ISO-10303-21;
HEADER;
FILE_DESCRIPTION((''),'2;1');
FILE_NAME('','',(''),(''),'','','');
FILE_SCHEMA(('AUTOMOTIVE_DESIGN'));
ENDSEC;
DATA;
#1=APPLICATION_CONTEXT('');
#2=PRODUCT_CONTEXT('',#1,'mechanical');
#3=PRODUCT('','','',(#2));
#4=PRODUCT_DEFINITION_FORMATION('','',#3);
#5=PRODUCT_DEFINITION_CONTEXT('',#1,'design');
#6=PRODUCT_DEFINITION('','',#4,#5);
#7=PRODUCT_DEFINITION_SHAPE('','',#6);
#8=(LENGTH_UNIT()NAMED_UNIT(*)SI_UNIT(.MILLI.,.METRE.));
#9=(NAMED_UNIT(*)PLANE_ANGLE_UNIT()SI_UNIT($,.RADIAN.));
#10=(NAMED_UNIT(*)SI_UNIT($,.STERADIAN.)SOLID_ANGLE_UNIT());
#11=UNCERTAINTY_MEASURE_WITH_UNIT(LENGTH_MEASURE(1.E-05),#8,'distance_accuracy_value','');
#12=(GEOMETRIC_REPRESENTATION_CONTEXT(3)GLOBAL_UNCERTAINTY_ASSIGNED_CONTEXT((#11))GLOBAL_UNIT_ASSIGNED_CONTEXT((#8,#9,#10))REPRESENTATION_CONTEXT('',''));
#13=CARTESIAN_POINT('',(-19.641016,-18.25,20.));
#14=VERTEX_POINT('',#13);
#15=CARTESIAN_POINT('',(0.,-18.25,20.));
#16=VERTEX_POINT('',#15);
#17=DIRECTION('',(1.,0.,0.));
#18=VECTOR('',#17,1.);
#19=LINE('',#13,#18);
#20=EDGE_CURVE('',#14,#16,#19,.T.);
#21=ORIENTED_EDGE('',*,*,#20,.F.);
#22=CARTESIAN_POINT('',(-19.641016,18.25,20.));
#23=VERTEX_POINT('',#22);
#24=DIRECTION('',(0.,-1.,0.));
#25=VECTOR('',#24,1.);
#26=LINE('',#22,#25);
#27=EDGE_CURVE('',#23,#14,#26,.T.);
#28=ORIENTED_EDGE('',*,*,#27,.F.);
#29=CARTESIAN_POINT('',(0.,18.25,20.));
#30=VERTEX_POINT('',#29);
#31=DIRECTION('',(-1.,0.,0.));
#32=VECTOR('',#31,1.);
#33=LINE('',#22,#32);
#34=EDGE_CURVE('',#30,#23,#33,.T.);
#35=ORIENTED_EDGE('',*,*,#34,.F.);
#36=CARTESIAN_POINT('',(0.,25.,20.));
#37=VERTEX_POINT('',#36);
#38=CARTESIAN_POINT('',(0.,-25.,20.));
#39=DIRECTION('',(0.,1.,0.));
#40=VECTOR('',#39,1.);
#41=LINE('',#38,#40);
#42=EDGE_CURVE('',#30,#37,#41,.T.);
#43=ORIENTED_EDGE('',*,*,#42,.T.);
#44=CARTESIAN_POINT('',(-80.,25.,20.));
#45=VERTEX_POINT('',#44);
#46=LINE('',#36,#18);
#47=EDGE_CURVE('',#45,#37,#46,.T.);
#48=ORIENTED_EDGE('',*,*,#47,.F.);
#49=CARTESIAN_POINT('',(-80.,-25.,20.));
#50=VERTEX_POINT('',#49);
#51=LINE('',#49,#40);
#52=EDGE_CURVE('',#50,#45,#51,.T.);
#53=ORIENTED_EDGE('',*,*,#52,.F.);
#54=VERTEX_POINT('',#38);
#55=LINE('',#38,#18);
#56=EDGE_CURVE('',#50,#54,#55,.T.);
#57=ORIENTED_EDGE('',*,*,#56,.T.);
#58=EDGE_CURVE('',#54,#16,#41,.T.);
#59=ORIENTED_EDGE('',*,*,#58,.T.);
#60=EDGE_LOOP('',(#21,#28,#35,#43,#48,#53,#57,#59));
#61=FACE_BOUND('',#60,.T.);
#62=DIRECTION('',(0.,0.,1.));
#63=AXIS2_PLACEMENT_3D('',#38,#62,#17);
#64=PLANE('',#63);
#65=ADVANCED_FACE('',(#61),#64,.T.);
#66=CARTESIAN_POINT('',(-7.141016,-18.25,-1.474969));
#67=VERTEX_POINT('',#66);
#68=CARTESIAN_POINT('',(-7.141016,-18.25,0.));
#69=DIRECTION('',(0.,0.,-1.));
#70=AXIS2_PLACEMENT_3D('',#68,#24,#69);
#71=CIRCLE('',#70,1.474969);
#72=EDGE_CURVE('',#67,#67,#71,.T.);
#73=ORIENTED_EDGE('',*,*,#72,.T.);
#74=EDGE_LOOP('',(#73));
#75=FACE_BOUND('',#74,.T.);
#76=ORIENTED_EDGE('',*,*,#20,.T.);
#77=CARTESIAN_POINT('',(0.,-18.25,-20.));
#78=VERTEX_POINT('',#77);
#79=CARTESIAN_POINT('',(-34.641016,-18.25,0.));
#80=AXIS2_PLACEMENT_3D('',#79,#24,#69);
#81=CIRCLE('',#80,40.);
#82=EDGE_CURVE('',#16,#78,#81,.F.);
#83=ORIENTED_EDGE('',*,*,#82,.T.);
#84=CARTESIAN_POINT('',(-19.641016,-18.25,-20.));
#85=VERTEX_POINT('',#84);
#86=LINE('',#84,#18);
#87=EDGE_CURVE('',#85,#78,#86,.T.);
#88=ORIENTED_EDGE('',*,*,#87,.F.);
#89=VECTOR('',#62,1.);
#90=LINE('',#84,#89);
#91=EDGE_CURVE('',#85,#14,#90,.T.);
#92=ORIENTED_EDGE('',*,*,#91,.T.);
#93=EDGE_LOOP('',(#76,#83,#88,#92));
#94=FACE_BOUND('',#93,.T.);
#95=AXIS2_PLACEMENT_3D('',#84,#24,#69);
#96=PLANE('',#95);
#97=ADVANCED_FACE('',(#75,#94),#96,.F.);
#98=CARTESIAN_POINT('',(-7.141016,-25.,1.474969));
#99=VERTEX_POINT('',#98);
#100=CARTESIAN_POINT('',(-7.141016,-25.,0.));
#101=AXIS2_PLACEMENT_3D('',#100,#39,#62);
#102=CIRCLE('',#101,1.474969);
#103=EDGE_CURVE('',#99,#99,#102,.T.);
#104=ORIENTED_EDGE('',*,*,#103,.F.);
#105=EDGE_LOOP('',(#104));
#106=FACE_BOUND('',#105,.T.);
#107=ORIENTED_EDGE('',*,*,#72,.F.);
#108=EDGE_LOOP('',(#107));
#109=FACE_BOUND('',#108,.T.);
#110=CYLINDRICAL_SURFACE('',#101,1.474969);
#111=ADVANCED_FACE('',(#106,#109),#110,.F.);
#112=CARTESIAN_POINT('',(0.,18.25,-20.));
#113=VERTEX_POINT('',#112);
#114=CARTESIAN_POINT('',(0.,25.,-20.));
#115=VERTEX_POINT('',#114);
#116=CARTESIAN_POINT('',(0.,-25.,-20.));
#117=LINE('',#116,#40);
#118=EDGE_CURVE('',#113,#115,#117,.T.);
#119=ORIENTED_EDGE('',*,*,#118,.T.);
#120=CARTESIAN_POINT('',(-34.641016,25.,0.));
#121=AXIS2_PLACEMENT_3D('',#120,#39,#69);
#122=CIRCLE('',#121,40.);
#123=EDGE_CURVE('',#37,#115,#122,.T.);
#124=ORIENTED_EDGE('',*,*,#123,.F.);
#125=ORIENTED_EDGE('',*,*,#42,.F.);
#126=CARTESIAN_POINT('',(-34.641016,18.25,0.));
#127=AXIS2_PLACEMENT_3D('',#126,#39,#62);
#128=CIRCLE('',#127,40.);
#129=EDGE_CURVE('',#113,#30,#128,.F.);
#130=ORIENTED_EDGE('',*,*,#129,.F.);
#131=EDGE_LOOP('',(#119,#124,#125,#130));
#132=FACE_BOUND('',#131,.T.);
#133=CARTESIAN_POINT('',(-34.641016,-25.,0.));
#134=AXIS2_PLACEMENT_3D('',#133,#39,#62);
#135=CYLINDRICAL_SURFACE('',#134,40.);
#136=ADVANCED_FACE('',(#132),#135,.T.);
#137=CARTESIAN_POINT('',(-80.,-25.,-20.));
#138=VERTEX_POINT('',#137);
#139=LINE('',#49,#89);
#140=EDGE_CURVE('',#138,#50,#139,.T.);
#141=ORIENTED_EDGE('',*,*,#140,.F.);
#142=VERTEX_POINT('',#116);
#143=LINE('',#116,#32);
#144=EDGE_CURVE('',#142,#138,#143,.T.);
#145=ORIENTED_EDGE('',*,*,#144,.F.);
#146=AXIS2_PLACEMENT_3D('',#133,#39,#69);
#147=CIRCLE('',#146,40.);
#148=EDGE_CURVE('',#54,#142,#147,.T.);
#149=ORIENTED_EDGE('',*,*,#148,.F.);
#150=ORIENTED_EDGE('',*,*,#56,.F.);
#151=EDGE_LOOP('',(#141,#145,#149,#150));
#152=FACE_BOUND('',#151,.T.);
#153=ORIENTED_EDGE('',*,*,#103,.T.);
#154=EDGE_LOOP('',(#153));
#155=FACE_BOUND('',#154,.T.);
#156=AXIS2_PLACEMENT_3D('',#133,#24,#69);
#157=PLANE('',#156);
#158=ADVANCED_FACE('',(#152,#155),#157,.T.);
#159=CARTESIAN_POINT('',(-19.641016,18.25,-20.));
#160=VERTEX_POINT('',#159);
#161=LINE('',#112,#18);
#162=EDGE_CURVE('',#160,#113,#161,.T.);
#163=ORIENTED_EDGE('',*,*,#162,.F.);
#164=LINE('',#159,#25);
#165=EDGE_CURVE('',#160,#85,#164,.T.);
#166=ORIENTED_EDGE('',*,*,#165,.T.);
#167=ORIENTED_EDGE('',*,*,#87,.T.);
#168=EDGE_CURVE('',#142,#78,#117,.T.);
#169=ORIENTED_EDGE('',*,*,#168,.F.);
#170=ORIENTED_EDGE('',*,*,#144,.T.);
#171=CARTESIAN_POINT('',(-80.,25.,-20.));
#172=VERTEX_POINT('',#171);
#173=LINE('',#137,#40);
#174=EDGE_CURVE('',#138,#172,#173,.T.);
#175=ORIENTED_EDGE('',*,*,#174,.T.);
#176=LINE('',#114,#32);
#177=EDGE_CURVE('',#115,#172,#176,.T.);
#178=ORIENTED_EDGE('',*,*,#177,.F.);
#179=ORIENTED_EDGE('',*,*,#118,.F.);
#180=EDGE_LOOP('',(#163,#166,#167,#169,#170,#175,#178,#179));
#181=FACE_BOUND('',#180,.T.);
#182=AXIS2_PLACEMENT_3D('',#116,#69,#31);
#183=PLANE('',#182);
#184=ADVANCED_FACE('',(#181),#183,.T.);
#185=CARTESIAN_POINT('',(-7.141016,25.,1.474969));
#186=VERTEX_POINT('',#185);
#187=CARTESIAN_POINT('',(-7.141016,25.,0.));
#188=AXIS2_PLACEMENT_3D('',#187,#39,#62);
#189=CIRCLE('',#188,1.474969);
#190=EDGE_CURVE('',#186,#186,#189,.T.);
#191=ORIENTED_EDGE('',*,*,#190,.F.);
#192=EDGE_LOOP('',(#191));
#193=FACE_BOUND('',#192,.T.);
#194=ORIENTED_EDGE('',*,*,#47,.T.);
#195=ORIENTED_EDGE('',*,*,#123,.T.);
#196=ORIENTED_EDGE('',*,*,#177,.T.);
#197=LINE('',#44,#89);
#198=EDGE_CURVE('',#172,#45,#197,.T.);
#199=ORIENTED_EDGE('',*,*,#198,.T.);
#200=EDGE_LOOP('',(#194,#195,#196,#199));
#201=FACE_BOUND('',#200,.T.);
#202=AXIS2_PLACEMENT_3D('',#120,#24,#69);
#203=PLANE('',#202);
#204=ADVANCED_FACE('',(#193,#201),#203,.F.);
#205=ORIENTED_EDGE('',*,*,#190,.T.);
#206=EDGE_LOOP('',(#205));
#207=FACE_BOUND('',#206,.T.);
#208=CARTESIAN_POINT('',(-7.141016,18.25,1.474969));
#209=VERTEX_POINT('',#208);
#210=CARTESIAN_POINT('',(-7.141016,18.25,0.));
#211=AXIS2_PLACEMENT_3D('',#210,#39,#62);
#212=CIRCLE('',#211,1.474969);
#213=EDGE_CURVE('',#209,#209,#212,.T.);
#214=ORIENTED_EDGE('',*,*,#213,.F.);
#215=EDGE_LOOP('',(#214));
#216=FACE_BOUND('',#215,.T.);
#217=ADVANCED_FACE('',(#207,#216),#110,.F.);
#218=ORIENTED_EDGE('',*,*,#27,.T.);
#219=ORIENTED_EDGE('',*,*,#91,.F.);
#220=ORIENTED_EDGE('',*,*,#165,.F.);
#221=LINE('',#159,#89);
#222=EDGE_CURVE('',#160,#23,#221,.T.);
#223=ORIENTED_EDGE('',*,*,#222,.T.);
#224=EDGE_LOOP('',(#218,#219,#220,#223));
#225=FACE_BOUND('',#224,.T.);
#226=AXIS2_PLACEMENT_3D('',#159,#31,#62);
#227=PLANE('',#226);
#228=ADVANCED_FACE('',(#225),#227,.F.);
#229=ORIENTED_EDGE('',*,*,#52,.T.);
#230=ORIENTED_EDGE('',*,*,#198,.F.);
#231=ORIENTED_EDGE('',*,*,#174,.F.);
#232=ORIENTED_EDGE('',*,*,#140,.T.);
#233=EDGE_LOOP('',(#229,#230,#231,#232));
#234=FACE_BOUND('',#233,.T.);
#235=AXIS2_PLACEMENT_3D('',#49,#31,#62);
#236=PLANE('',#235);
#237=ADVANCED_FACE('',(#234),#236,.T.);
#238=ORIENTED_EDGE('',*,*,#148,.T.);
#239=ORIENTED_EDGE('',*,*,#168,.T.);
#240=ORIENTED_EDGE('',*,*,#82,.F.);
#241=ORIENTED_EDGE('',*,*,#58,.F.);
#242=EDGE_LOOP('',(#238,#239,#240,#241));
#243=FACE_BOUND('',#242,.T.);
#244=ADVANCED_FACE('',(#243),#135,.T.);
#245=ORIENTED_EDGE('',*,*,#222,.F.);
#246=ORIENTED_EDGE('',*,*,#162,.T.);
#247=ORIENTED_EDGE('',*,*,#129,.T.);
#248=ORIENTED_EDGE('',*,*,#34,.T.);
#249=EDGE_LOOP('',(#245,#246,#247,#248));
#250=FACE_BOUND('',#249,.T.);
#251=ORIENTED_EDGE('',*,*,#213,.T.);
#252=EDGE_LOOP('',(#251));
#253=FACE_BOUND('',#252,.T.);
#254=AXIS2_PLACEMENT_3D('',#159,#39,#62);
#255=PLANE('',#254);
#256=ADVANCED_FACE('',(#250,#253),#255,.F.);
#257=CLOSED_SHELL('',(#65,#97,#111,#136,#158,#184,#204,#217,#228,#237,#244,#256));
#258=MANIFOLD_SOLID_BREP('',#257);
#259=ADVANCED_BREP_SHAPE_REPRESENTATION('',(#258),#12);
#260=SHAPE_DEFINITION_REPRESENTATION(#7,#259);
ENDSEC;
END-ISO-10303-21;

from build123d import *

# Parameters (mm, degrees)
BOSS_EXTRUDE1_DEPTH      = 25
BOSS_EXTRUDE1_DEPTH_BACK = 25
CUT_EXTRUDE2_DEPTH       = 87.168439698
CUT_EXTRUDE2_DEPTH_BACK  = 87.168439698
SKETCH3_W                = 27.604398764
SKETCH3_H                = 36.5
CUT_EXTRUDE3_DEPTH       = 87.168439698
CUT_EXTRUDE3_DEPTH_BACK  = 87.168439698
SKETCH4_R                = 1.47496879


with BuildPart() as part:
    # Sketch1 → Boss-Extrude1 (new, two sides: drawn at the far end of the back side and taken through both)
    with BuildSketch(Plane(origin=(0, 0, 0), x_dir=(1, 0, 0), z_dir=(0, 1, 0)).offset(-BOSS_EXTRUDE1_DEPTH_BACK)):
        with BuildLine():
            Line((0, -20), (-80, -20))
            Line((-80, -20), (-80, 20))
            Line((-80, 20), (0, 20))
            ThreePointArc((0, 20), (5.358983849, 0), (0, -20))
        make_face()
    extrude(amount=BOSS_EXTRUDE1_DEPTH + BOSS_EXTRUDE1_DEPTH_BACK)

    # Sketch3 → Cut-Extrude2 (cut, two sides: drawn at the far end of the back side and taken through both)
    with BuildSketch(Plane.XY.offset(-CUT_EXTRUDE2_DEPTH_BACK)):
        with Locations((-5.838816769, 0)):
            Rectangle(SKETCH3_W, SKETCH3_H)
    extrude(amount=CUT_EXTRUDE2_DEPTH + CUT_EXTRUDE2_DEPTH_BACK, mode=Mode.SUBTRACT)

    # Sketch4 → Cut-Extrude3 (cut, two sides: drawn at the far end of the back side and taken through both)
    with BuildSketch(Plane(origin=(0, 0, 0), x_dir=(1, 0, 0), z_dir=(0, 1, 0)).offset(-CUT_EXTRUDE3_DEPTH_BACK)):
        with Locations((-7.141016151, 0)):
            Circle(SKETCH4_R)
    extrude(amount=CUT_EXTRUDE3_DEPTH + CUT_EXTRUDE3_DEPTH_BACK, mode=Mode.SUBTRACT)


solid = part.part
